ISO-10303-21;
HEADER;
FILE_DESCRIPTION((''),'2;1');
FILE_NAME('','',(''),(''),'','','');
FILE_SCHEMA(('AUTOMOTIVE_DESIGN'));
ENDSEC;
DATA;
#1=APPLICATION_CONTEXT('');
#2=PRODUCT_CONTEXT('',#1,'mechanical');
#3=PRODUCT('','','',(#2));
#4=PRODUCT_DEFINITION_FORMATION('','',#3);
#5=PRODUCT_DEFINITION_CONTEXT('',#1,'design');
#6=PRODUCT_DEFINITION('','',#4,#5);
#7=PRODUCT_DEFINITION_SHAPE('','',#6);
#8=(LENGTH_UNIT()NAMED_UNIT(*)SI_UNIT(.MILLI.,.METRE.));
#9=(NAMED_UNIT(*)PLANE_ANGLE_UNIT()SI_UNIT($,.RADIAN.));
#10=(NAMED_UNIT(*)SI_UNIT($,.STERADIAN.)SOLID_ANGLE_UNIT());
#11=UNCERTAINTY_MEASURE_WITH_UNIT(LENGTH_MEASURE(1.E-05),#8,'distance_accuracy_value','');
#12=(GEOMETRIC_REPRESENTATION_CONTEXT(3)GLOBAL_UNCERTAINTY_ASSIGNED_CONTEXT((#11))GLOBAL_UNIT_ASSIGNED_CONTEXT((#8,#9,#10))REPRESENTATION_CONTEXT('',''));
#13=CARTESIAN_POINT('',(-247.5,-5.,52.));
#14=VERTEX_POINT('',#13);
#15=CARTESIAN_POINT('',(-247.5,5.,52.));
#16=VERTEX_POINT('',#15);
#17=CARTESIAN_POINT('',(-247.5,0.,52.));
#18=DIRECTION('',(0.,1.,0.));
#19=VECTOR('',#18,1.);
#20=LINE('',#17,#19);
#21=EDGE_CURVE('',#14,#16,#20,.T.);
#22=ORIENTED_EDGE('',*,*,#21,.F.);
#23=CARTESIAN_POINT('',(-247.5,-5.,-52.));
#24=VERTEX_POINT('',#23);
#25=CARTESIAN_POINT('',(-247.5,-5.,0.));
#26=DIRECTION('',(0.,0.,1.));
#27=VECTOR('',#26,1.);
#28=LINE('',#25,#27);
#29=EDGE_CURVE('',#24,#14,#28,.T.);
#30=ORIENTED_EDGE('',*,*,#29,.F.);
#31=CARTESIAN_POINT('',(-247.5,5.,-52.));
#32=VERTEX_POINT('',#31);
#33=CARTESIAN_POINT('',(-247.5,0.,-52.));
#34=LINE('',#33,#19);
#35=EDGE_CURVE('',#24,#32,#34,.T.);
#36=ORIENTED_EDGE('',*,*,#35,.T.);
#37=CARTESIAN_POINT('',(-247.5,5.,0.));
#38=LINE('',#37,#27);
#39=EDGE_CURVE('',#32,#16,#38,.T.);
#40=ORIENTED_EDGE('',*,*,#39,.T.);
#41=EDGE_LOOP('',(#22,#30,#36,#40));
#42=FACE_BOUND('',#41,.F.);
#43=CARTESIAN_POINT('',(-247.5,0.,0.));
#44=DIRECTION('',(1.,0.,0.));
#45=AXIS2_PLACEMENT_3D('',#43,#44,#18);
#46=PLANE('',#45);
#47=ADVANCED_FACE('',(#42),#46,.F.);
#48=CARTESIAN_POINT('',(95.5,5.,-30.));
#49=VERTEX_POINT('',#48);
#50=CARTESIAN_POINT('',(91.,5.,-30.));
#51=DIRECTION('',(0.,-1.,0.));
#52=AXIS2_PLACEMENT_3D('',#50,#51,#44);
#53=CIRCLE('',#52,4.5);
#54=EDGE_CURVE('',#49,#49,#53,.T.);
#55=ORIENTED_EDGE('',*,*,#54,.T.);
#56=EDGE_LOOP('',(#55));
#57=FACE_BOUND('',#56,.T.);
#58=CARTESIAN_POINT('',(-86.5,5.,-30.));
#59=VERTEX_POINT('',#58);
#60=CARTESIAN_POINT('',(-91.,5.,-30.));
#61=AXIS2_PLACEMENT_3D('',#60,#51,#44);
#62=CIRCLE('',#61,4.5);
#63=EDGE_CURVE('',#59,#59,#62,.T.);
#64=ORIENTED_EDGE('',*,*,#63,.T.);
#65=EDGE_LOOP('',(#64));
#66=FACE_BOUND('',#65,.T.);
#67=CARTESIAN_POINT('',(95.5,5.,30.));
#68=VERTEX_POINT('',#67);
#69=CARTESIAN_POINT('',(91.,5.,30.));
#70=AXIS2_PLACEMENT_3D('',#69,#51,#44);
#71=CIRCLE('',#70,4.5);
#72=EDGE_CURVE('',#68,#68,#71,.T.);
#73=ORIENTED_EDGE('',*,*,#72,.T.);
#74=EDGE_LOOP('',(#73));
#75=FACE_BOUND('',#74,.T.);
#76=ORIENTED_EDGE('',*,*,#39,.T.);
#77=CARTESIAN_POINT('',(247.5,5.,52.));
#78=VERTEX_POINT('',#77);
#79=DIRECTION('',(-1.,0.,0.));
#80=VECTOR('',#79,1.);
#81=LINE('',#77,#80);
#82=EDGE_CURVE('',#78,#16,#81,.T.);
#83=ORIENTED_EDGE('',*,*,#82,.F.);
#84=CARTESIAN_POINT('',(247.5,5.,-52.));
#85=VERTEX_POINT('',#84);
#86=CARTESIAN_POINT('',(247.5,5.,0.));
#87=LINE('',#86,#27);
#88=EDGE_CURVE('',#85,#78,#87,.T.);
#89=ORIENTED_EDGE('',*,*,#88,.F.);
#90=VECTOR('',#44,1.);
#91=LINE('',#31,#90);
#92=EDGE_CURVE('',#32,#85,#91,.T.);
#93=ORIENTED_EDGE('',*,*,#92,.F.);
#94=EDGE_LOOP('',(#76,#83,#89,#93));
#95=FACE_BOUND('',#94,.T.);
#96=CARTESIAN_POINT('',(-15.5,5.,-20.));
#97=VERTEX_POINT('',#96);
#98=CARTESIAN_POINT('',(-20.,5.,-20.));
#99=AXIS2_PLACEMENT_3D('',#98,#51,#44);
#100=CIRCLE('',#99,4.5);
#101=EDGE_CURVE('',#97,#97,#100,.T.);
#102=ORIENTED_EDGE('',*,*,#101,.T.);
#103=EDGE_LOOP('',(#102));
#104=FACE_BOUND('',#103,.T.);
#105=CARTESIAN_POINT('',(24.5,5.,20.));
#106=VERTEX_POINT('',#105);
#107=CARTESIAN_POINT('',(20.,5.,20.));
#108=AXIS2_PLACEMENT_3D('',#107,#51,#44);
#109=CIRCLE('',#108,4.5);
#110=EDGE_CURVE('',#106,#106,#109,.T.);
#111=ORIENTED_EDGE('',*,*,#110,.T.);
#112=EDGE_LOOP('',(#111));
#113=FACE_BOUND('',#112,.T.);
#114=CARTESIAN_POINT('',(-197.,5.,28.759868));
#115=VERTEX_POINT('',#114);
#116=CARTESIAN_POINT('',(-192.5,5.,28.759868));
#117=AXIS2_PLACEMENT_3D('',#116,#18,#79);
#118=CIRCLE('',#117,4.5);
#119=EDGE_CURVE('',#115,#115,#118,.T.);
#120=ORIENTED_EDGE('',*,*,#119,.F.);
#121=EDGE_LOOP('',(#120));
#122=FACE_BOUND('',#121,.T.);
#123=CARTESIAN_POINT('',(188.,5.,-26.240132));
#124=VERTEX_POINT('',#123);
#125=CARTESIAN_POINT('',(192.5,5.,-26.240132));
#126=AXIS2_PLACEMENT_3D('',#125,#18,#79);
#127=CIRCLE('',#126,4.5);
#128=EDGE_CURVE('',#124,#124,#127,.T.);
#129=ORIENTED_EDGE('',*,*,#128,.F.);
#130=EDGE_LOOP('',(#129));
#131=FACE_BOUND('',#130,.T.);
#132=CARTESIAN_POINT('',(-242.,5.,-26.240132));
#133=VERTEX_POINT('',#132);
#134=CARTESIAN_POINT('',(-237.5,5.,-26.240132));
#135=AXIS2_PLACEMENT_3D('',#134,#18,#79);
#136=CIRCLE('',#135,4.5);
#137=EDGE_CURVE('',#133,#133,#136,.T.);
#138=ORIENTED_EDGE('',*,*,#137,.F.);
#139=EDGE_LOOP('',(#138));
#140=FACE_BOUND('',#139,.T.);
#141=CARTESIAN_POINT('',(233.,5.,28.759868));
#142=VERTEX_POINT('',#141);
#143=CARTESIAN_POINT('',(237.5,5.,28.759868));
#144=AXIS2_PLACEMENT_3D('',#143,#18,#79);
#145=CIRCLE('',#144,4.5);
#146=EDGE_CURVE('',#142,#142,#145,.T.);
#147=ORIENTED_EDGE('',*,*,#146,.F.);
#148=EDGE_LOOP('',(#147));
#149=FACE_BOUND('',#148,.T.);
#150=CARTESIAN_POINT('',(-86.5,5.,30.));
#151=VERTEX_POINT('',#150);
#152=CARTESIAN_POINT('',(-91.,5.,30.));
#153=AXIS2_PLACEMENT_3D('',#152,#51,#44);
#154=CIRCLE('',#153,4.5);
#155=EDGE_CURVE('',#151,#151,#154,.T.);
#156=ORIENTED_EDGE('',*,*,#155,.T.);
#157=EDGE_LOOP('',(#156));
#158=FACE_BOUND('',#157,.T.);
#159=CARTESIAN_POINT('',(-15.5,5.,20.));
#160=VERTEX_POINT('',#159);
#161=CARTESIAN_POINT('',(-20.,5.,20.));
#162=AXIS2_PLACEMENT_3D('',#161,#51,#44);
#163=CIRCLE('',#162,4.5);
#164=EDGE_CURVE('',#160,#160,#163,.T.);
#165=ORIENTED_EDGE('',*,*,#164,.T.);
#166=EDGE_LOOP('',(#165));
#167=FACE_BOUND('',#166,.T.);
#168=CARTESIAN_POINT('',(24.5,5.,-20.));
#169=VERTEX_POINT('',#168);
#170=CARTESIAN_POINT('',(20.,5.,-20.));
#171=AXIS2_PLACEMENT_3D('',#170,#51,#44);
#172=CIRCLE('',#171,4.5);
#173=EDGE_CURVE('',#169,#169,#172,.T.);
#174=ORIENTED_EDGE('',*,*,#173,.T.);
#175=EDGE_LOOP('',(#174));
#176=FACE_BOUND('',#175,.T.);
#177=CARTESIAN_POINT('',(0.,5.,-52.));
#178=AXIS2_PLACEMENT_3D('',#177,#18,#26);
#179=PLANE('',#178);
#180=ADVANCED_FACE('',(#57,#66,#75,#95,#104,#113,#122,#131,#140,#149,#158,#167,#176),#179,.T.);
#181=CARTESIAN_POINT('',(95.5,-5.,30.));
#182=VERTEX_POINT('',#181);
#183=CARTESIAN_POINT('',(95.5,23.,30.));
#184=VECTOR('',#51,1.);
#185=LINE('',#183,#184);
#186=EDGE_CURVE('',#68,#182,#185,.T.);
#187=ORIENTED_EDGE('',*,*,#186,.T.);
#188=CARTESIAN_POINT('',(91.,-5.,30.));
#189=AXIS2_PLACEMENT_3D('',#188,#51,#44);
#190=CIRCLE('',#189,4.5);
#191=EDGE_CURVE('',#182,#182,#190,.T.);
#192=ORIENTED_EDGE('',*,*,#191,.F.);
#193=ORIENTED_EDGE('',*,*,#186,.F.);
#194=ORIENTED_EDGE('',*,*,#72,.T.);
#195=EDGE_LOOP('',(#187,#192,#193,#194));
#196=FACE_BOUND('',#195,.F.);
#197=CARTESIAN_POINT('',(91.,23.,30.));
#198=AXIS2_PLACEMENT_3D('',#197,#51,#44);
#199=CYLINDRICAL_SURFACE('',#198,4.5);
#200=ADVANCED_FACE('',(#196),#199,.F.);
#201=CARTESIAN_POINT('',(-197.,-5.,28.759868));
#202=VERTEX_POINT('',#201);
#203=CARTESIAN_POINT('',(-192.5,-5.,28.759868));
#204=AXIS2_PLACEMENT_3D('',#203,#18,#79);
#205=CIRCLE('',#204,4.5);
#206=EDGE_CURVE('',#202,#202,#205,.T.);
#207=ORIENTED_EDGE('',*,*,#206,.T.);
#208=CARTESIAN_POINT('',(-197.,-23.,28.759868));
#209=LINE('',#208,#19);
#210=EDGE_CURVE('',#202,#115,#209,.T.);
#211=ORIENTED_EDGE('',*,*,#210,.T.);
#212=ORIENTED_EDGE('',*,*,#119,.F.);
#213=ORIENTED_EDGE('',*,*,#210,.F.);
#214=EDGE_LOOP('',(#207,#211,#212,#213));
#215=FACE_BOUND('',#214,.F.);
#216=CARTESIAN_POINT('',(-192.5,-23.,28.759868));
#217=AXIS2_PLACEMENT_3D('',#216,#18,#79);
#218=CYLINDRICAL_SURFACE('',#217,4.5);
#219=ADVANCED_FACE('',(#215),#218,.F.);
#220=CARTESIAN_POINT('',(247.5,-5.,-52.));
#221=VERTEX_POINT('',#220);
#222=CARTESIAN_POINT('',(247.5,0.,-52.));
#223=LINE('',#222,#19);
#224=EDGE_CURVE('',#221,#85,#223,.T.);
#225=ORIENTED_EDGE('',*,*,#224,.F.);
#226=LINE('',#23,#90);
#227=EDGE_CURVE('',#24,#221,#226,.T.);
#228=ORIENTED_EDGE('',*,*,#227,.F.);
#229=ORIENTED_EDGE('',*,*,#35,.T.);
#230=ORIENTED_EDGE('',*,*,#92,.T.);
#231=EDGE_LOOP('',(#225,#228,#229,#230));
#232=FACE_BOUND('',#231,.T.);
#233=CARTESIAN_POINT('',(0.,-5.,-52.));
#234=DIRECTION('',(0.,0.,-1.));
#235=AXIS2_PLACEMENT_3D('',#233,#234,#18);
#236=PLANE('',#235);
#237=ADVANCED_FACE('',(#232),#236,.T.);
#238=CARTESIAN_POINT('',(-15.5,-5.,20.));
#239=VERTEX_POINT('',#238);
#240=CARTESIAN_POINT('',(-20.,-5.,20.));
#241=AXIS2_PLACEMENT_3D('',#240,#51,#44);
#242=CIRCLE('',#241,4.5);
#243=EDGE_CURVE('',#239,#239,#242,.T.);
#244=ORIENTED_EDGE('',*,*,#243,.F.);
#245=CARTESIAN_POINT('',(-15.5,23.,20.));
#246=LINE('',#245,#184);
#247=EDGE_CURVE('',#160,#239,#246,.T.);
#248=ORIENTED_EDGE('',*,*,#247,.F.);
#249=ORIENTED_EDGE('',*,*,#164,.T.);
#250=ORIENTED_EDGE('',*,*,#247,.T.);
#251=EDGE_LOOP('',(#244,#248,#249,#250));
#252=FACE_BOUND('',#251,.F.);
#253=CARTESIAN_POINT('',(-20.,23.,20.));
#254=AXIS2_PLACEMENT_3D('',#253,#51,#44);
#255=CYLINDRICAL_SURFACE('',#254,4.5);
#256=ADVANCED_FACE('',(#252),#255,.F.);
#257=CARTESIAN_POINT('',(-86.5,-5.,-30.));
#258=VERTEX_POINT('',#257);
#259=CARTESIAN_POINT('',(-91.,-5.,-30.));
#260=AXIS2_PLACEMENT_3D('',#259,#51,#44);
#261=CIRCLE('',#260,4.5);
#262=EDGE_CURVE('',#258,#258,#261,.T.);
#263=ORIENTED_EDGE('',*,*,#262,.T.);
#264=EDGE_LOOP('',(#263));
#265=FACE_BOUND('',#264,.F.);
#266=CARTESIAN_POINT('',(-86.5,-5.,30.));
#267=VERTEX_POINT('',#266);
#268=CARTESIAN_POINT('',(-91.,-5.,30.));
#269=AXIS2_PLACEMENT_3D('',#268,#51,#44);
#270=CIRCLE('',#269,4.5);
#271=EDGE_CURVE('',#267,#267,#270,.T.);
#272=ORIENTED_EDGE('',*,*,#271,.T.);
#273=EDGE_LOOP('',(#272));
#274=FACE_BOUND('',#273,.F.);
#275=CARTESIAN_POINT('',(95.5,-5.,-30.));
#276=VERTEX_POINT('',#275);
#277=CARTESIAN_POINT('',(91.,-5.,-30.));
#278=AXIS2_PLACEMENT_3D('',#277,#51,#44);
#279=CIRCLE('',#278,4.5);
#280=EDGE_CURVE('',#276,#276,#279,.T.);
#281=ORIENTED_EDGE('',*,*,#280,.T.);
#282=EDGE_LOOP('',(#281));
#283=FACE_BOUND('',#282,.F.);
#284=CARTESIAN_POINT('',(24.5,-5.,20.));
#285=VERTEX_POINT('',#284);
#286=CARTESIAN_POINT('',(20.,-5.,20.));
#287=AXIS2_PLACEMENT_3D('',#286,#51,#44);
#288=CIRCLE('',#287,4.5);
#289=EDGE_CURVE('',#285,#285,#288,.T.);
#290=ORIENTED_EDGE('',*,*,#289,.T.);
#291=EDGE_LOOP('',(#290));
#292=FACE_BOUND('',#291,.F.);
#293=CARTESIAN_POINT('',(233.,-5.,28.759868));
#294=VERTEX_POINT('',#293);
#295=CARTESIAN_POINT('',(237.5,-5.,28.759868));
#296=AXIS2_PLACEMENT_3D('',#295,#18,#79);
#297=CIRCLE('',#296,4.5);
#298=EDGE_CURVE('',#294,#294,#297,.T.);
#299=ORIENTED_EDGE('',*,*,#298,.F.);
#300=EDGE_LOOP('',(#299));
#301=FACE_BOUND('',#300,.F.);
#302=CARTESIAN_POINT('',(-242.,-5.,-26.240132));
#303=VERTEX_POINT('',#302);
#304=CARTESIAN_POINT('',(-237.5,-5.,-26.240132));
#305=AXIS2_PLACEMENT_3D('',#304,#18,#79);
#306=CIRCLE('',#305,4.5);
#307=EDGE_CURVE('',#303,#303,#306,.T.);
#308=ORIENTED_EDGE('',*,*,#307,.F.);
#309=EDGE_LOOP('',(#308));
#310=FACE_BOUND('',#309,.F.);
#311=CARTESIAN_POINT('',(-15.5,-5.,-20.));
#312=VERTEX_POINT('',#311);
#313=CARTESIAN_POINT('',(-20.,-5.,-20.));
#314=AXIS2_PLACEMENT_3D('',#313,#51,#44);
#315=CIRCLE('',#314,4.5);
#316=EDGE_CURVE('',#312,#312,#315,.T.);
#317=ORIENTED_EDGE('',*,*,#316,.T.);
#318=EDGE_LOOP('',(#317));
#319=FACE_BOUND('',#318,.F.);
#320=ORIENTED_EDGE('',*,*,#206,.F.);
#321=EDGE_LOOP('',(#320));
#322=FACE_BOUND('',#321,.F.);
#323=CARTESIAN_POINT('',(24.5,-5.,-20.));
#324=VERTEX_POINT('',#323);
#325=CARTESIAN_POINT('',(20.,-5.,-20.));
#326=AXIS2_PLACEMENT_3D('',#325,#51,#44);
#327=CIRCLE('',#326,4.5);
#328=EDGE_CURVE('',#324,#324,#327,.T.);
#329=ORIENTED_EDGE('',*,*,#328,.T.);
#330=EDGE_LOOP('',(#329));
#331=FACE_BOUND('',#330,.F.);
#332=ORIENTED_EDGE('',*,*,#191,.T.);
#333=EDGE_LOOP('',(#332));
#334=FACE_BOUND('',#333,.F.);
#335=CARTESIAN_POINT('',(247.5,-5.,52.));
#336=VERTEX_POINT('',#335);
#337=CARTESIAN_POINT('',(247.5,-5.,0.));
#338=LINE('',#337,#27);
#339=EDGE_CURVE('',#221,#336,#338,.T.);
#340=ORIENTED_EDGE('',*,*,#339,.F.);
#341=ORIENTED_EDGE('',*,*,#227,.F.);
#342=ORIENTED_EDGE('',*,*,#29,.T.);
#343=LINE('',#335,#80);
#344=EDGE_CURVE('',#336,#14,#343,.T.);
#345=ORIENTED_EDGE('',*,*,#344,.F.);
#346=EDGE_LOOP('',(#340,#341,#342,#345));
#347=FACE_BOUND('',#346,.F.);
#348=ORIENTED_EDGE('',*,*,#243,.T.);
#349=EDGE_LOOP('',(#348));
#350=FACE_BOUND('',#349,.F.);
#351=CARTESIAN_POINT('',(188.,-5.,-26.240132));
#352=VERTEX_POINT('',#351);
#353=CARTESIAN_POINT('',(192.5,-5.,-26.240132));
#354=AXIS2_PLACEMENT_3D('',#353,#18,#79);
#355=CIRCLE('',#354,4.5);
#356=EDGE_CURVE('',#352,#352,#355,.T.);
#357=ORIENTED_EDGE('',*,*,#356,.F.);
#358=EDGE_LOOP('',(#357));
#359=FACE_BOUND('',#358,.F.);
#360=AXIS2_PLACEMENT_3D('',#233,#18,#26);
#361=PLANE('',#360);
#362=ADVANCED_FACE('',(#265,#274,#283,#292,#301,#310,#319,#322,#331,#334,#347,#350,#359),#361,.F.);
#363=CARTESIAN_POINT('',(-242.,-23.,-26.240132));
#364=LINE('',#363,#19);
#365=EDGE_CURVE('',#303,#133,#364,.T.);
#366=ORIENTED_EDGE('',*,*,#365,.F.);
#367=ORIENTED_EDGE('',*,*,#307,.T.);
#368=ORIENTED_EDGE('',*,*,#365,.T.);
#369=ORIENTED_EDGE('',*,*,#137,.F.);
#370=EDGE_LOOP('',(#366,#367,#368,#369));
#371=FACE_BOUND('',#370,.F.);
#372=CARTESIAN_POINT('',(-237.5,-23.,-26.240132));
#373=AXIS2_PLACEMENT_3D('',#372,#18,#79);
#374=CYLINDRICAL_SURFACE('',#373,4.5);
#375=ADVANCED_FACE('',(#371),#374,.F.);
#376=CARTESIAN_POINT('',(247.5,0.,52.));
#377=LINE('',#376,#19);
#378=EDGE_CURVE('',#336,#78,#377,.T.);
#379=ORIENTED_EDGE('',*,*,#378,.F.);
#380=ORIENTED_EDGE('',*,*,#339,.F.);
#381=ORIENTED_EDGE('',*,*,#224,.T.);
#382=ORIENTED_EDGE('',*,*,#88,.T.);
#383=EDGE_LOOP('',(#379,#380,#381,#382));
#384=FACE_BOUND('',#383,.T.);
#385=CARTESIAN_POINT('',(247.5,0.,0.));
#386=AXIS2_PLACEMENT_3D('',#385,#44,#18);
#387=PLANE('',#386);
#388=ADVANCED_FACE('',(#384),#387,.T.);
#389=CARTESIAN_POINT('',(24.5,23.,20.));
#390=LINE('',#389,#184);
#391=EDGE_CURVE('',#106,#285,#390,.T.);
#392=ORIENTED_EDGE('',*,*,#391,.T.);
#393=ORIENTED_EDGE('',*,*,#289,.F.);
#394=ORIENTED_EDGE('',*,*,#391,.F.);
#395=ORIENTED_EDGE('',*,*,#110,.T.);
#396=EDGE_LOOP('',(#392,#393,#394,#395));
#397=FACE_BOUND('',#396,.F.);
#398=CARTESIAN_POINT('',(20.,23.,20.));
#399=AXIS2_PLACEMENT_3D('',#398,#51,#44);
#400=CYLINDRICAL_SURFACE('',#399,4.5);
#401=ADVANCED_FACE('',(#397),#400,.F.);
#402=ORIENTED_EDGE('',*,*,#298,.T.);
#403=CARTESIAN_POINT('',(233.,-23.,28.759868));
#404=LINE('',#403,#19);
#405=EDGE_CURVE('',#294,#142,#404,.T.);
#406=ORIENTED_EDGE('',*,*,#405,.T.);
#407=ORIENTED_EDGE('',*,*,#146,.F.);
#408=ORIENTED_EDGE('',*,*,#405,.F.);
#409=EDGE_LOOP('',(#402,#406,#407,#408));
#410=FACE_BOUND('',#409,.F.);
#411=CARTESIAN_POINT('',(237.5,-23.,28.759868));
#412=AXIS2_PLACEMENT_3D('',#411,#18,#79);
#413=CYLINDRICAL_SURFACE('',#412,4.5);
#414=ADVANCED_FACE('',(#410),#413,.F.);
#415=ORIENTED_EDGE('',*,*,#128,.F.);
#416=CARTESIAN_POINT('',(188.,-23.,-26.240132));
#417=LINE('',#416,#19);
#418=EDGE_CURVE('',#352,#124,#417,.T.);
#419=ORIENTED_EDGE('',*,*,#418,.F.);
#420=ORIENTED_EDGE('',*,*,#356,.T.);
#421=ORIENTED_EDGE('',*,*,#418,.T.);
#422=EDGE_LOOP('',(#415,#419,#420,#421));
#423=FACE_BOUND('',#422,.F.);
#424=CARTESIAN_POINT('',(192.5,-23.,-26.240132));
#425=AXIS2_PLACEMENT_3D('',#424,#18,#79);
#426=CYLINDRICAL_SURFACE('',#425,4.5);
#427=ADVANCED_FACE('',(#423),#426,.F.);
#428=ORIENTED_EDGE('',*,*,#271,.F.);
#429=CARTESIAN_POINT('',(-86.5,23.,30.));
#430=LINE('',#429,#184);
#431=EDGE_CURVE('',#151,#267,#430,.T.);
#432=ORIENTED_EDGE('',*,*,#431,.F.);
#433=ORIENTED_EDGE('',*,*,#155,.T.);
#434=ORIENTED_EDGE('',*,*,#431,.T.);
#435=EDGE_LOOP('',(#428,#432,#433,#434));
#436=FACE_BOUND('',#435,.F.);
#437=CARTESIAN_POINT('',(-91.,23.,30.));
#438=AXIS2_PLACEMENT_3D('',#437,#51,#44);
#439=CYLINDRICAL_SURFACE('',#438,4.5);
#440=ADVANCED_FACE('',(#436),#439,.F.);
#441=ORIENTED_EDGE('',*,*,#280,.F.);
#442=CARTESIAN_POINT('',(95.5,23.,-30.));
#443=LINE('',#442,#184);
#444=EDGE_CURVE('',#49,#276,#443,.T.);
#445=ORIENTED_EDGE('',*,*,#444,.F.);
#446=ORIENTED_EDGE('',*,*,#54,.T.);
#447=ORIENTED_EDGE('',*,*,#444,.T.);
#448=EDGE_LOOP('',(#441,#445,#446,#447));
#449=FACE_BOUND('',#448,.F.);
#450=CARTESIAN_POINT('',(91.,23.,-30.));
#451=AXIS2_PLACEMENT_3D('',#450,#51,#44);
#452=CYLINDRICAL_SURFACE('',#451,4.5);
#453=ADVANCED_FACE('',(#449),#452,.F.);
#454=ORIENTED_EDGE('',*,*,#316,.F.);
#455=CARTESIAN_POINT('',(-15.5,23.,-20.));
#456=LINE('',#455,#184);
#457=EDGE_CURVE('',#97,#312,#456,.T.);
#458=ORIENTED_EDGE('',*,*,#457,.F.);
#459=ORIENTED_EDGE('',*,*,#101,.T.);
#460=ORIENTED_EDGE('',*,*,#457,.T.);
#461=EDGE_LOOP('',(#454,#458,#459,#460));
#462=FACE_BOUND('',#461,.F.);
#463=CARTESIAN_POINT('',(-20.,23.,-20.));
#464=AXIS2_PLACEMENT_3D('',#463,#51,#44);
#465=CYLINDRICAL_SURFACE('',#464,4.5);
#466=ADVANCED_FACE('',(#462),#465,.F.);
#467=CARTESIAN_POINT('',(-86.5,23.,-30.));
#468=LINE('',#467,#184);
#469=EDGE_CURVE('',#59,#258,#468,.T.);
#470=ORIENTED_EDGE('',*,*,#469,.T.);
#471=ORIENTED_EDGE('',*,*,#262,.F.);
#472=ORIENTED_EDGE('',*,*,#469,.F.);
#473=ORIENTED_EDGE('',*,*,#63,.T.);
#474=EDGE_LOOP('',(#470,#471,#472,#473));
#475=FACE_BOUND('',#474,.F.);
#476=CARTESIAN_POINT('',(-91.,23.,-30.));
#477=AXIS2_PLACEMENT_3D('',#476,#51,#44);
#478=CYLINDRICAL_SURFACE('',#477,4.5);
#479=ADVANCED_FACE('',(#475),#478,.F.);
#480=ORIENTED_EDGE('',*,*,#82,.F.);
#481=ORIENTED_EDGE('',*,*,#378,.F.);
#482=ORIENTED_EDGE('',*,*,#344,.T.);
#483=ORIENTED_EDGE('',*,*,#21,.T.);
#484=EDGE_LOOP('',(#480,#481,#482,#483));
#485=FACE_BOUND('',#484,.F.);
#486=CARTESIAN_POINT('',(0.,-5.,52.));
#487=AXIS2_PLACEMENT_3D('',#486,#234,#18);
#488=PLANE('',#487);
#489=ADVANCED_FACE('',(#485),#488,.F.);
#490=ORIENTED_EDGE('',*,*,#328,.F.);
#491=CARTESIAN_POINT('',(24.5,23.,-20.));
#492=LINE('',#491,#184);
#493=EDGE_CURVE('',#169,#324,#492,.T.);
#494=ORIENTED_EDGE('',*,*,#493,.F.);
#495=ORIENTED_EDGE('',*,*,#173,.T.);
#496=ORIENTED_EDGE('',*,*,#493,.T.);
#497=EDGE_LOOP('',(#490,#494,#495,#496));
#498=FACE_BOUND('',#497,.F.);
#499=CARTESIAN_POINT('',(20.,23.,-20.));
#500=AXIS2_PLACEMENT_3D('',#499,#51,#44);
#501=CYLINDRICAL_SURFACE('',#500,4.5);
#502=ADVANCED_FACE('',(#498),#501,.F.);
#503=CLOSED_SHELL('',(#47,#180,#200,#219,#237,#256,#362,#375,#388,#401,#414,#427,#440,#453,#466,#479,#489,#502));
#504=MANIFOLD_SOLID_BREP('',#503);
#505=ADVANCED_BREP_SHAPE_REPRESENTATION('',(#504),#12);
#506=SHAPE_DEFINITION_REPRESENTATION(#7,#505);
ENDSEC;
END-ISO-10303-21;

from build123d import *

# Parameters (mm, degrees)
F0_W     = 10
F0_H     = 104
F1_DEPTH = 247.5
F3_D     = 9
F3_DEPTH = 18
F3_TIP   = 2.7038727856
F5_D     = 9
F5_DEPTH = 18
F5_TIP   = 2.7038727856


with BuildPart() as f1:
    # F0 (on Right) → F1 (new body, symmetric)
    with BuildSketch(Plane.YZ):
        Rectangle(F0_W, F0_H)
    extrude(amount=F1_DEPTH, both=True)

    # F3
    with Locations(Plane.XZ.offset(5)):
        with Locations((-192.5, 28.7598677054), (-237.5, -26.2401322946), (237.5, 28.7598677054), (192.5, -26.2401322946)):
            Hole(F3_D / 2, depth=F3_DEPTH)
            with Locations((0, 0, -(F3_DEPTH + F3_TIP / 2))):  # 118° drill point
                Cone(0, F3_D / 2, F3_TIP, mode=Mode.SUBTRACT)

    # F5
    with Locations(Plane(origin=(0, 5, 0), x_dir=(-1, 0, 0), z_dir=(0, 1, 0))):
        with Locations((-20, 20), (20, 20), (-20, -20), (20, -20), (91, 30), (91, -30), (-91, -30), (-91, 30)):
            Hole(F5_D / 2, depth=F5_DEPTH)
            with Locations((0, 0, -(F5_DEPTH + F5_TIP / 2))):  # 118° drill point
                Cone(0, F5_D / 2, F5_TIP, mode=Mode.SUBTRACT)


solid = f1.part
